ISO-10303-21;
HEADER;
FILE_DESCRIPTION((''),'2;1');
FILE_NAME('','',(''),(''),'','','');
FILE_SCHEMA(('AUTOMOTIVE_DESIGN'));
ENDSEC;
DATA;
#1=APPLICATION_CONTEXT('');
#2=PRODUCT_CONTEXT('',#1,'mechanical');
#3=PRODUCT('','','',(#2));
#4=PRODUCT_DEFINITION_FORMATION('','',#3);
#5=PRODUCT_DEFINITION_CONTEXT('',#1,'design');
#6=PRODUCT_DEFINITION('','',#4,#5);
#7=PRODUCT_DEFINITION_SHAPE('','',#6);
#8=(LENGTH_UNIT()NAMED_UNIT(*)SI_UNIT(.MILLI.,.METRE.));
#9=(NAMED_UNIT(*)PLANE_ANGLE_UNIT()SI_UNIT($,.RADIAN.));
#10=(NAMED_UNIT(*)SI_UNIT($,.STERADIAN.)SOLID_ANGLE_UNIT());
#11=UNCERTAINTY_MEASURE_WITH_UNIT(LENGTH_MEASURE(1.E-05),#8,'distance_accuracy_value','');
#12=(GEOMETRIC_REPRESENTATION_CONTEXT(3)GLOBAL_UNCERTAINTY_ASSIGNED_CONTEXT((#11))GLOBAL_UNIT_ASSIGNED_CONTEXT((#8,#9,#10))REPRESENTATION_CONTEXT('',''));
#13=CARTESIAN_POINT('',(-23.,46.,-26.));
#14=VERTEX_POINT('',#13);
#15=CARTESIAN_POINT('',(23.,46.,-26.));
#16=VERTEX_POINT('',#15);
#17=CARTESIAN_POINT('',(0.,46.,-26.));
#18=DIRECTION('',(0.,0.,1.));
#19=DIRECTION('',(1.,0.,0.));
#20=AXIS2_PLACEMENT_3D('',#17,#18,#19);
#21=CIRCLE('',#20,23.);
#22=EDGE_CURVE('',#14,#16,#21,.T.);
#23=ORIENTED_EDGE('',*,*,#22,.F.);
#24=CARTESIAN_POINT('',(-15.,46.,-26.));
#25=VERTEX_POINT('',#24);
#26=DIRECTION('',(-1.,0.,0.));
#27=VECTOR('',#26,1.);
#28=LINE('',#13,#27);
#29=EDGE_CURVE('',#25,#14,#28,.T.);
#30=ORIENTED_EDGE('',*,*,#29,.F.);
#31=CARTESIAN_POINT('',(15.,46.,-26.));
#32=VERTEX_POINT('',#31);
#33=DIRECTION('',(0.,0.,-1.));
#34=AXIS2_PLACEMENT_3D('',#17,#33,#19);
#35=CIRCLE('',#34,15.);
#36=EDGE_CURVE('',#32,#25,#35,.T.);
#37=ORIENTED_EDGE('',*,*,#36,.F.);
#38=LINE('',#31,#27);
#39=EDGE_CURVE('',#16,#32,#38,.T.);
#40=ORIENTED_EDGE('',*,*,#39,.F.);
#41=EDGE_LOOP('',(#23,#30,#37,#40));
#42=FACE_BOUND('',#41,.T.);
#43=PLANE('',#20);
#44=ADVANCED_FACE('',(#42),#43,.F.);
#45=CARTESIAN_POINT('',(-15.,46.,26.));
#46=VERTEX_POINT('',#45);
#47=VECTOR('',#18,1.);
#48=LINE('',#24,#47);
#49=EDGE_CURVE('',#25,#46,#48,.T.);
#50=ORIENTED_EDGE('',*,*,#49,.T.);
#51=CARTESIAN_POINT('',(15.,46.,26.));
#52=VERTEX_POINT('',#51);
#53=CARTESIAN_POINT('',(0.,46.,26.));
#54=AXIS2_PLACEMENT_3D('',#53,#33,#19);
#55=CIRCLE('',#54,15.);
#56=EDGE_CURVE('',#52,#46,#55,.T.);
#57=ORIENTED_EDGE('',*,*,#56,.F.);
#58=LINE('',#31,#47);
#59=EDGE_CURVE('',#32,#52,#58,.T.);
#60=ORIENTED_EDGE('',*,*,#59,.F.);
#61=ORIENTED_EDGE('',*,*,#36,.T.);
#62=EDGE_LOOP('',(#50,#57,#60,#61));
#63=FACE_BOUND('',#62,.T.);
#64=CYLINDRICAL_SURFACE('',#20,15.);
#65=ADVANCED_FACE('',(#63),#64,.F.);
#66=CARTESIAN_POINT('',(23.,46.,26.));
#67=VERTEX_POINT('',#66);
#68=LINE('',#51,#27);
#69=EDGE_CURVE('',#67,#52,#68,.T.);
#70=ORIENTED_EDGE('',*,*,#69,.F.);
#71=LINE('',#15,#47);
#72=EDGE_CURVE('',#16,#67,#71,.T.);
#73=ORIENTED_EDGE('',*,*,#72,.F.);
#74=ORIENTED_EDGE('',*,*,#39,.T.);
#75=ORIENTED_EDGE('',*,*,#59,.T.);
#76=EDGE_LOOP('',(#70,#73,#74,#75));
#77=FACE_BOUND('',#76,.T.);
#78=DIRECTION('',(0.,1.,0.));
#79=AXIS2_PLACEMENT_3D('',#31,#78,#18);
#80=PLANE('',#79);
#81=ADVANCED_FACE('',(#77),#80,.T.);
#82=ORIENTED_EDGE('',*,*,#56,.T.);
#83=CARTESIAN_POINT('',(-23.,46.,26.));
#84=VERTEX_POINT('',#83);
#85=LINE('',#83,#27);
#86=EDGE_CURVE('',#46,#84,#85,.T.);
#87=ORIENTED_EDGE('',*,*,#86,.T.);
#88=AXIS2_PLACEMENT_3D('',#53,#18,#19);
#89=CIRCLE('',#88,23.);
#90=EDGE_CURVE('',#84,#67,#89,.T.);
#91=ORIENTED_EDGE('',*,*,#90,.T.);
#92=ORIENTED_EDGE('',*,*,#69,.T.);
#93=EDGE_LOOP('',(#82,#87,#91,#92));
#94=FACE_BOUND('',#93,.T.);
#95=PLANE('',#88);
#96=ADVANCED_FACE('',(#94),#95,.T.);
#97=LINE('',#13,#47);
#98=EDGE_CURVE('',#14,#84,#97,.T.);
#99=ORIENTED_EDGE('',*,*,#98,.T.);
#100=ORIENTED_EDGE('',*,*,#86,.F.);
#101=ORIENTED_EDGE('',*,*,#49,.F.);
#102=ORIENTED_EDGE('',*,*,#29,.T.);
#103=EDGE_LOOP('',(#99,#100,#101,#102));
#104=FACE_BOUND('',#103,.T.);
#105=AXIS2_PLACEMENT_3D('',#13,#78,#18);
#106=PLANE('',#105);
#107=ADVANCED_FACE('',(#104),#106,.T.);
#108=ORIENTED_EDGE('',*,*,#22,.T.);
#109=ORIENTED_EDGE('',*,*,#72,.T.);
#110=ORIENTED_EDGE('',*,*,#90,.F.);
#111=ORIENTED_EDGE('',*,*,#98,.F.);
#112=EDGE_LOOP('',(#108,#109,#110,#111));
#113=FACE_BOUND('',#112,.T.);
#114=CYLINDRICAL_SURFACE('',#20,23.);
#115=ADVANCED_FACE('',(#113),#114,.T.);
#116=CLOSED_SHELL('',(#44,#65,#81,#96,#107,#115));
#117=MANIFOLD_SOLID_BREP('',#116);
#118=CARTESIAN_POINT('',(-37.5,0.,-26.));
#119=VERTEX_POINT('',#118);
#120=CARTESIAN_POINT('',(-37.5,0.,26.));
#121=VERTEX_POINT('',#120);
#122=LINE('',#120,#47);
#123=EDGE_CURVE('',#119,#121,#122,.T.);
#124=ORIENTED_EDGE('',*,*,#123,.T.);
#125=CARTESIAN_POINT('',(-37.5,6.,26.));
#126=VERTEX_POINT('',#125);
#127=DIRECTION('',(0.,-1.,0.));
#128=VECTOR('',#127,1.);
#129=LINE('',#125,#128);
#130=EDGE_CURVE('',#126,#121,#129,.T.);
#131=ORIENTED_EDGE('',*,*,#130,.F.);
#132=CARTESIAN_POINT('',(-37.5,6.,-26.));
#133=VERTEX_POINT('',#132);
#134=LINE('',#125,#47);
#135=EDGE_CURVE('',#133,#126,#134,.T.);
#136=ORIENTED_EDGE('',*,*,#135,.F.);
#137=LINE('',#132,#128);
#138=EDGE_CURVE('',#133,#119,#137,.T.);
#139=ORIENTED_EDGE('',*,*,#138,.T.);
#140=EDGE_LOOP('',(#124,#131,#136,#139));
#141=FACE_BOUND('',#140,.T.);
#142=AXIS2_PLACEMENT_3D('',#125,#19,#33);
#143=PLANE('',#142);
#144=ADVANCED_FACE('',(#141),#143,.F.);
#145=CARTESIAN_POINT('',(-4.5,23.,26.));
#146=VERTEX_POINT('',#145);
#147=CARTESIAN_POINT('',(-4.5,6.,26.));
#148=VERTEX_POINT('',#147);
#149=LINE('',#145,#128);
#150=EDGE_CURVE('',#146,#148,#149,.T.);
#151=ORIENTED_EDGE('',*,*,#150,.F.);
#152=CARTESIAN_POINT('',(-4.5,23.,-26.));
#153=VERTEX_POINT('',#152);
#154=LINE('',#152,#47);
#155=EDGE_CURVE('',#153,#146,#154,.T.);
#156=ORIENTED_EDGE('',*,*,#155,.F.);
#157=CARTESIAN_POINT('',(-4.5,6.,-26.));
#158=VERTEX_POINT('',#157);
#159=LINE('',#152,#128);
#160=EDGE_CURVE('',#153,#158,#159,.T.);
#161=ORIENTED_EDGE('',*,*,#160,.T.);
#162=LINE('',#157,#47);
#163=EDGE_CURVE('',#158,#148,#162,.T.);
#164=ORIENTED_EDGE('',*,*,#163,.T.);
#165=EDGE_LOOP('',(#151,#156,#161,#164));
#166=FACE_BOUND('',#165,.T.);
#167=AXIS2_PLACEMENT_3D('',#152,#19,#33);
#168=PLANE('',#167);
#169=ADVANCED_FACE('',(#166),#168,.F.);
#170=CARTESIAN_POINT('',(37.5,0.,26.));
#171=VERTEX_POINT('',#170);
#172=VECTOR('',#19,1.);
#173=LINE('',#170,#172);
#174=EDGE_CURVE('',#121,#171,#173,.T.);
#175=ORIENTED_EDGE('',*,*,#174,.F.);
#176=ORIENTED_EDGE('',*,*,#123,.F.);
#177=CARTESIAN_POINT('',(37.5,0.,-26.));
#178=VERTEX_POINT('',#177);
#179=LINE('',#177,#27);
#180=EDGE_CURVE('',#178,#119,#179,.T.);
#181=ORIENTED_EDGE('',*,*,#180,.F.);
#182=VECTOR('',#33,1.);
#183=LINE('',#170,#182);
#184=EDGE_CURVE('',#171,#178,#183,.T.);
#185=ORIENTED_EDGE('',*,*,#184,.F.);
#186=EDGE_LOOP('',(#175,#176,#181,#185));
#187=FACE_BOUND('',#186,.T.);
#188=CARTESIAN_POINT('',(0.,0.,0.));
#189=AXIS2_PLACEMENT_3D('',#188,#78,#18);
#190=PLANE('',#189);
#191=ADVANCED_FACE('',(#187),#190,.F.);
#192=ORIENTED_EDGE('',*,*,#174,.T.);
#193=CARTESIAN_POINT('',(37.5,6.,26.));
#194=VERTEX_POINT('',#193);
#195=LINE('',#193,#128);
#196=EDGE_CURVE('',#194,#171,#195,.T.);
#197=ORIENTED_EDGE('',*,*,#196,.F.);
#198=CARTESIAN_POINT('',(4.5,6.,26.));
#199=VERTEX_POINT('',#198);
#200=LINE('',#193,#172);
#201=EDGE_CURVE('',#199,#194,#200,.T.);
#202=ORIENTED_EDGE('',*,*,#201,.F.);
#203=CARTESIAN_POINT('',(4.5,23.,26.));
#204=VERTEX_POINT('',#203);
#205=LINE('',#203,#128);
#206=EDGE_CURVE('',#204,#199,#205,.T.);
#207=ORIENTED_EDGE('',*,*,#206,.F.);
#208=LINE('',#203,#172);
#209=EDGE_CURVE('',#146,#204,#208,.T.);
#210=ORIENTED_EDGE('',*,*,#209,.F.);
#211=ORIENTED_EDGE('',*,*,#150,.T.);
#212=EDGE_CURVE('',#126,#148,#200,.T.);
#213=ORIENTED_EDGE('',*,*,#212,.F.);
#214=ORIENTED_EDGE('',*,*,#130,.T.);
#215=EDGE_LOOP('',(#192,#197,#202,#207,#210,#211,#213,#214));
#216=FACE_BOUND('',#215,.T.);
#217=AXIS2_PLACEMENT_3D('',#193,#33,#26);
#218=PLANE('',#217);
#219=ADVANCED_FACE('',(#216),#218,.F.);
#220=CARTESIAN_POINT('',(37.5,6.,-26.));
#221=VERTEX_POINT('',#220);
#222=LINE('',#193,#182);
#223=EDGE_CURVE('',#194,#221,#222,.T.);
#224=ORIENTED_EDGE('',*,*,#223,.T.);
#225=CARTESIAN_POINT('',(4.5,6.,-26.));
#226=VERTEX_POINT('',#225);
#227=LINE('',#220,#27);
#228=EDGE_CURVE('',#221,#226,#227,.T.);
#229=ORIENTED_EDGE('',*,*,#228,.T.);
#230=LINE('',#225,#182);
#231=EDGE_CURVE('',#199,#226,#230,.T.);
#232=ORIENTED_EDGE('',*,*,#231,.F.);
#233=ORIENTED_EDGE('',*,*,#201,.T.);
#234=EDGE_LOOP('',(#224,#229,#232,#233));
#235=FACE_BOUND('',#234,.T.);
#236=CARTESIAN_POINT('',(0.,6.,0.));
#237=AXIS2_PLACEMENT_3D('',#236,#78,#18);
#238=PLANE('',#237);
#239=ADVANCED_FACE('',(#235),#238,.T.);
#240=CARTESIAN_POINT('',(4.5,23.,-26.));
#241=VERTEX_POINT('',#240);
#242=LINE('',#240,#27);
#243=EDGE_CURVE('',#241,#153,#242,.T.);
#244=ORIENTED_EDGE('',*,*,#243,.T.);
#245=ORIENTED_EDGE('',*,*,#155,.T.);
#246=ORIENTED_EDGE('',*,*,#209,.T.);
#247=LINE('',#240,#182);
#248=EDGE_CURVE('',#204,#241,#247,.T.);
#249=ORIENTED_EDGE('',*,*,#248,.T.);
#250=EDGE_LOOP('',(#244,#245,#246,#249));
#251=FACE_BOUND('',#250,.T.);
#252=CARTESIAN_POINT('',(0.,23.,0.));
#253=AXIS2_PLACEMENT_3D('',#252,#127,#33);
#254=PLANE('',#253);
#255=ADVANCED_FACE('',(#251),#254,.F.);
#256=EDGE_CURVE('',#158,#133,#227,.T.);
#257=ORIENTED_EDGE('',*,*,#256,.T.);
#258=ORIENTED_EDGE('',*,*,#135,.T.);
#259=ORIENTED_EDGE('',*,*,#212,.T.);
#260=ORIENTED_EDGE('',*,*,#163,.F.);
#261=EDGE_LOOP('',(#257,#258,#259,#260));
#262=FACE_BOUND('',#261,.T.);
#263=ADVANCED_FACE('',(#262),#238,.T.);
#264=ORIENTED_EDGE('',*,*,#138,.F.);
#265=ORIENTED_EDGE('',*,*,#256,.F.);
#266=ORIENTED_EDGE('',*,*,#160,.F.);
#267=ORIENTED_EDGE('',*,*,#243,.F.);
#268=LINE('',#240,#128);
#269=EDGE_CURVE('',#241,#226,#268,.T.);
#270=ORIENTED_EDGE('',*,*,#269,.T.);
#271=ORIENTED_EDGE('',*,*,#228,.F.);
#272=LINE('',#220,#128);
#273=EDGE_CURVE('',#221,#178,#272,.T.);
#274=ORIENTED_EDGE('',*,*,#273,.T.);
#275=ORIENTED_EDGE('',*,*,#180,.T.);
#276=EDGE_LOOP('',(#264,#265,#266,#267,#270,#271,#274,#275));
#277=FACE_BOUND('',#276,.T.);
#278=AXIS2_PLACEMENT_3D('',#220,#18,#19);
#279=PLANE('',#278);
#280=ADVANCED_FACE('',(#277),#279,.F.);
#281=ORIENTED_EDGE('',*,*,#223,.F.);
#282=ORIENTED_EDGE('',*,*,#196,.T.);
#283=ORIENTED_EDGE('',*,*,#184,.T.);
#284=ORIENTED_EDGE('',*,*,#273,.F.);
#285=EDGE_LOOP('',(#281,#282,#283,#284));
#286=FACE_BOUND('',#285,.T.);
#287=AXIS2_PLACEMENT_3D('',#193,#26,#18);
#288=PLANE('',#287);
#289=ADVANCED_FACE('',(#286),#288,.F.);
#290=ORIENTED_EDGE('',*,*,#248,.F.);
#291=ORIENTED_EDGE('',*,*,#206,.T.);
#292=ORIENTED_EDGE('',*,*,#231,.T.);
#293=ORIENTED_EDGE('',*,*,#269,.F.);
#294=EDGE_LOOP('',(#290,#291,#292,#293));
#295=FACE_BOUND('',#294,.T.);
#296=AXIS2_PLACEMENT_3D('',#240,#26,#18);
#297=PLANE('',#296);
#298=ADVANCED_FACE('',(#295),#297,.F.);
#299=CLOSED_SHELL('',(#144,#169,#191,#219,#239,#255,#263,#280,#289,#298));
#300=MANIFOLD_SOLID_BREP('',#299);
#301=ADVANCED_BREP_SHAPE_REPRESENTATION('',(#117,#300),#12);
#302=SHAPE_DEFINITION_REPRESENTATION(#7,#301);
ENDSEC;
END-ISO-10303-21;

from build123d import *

# Parameters (mm, degrees)
SKETCH1_W           = 75
SKETCH1_H           = 52
BOSS_EXTRUDE1_DEPTH = 6
SKETCH2_W           = 9
SKETCH2_H           = 52
BOSS_EXTRUDE2_DEPTH = 17
BOSS_EXTRUDE3_DEPTH = 52


with BuildPart() as part:
    # Sketch1 → Boss-Extrude1 (new body)
    with BuildSketch(Plane(origin=(0, 0, 0), x_dir=(1, 0, 0), z_dir=(0, 1, 0))):
        Rectangle(SKETCH1_W, SKETCH1_H)
    extrude(amount=BOSS_EXTRUDE1_DEPTH)

    # Sketch2 → Boss-Extrude2 (add)
    with BuildSketch(Plane(origin=(0, 6, 0), x_dir=(1, 0, 0), z_dir=(0, 1, 0))):
        Rectangle(SKETCH2_W, SKETCH2_H)
    extrude(amount=BOSS_EXTRUDE2_DEPTH)


with BuildPart() as body_2:
    # Sketch3 → Boss-Extrude3 (new body)
    with BuildSketch(Plane.XY.offset(26)):
        with BuildLine():
            Line((-23, 46), (-15, 46))
            ThreePointArc((-15, 46), (0, 31), (15, 46))
            Line((15, 46), (23, 46))
            ThreePointArc((23, 46), (0, 23), (-23, 46))
        make_face()
    extrude(amount=-BOSS_EXTRUDE3_DEPTH)


solid = Compound([part.part, body_2.part])
